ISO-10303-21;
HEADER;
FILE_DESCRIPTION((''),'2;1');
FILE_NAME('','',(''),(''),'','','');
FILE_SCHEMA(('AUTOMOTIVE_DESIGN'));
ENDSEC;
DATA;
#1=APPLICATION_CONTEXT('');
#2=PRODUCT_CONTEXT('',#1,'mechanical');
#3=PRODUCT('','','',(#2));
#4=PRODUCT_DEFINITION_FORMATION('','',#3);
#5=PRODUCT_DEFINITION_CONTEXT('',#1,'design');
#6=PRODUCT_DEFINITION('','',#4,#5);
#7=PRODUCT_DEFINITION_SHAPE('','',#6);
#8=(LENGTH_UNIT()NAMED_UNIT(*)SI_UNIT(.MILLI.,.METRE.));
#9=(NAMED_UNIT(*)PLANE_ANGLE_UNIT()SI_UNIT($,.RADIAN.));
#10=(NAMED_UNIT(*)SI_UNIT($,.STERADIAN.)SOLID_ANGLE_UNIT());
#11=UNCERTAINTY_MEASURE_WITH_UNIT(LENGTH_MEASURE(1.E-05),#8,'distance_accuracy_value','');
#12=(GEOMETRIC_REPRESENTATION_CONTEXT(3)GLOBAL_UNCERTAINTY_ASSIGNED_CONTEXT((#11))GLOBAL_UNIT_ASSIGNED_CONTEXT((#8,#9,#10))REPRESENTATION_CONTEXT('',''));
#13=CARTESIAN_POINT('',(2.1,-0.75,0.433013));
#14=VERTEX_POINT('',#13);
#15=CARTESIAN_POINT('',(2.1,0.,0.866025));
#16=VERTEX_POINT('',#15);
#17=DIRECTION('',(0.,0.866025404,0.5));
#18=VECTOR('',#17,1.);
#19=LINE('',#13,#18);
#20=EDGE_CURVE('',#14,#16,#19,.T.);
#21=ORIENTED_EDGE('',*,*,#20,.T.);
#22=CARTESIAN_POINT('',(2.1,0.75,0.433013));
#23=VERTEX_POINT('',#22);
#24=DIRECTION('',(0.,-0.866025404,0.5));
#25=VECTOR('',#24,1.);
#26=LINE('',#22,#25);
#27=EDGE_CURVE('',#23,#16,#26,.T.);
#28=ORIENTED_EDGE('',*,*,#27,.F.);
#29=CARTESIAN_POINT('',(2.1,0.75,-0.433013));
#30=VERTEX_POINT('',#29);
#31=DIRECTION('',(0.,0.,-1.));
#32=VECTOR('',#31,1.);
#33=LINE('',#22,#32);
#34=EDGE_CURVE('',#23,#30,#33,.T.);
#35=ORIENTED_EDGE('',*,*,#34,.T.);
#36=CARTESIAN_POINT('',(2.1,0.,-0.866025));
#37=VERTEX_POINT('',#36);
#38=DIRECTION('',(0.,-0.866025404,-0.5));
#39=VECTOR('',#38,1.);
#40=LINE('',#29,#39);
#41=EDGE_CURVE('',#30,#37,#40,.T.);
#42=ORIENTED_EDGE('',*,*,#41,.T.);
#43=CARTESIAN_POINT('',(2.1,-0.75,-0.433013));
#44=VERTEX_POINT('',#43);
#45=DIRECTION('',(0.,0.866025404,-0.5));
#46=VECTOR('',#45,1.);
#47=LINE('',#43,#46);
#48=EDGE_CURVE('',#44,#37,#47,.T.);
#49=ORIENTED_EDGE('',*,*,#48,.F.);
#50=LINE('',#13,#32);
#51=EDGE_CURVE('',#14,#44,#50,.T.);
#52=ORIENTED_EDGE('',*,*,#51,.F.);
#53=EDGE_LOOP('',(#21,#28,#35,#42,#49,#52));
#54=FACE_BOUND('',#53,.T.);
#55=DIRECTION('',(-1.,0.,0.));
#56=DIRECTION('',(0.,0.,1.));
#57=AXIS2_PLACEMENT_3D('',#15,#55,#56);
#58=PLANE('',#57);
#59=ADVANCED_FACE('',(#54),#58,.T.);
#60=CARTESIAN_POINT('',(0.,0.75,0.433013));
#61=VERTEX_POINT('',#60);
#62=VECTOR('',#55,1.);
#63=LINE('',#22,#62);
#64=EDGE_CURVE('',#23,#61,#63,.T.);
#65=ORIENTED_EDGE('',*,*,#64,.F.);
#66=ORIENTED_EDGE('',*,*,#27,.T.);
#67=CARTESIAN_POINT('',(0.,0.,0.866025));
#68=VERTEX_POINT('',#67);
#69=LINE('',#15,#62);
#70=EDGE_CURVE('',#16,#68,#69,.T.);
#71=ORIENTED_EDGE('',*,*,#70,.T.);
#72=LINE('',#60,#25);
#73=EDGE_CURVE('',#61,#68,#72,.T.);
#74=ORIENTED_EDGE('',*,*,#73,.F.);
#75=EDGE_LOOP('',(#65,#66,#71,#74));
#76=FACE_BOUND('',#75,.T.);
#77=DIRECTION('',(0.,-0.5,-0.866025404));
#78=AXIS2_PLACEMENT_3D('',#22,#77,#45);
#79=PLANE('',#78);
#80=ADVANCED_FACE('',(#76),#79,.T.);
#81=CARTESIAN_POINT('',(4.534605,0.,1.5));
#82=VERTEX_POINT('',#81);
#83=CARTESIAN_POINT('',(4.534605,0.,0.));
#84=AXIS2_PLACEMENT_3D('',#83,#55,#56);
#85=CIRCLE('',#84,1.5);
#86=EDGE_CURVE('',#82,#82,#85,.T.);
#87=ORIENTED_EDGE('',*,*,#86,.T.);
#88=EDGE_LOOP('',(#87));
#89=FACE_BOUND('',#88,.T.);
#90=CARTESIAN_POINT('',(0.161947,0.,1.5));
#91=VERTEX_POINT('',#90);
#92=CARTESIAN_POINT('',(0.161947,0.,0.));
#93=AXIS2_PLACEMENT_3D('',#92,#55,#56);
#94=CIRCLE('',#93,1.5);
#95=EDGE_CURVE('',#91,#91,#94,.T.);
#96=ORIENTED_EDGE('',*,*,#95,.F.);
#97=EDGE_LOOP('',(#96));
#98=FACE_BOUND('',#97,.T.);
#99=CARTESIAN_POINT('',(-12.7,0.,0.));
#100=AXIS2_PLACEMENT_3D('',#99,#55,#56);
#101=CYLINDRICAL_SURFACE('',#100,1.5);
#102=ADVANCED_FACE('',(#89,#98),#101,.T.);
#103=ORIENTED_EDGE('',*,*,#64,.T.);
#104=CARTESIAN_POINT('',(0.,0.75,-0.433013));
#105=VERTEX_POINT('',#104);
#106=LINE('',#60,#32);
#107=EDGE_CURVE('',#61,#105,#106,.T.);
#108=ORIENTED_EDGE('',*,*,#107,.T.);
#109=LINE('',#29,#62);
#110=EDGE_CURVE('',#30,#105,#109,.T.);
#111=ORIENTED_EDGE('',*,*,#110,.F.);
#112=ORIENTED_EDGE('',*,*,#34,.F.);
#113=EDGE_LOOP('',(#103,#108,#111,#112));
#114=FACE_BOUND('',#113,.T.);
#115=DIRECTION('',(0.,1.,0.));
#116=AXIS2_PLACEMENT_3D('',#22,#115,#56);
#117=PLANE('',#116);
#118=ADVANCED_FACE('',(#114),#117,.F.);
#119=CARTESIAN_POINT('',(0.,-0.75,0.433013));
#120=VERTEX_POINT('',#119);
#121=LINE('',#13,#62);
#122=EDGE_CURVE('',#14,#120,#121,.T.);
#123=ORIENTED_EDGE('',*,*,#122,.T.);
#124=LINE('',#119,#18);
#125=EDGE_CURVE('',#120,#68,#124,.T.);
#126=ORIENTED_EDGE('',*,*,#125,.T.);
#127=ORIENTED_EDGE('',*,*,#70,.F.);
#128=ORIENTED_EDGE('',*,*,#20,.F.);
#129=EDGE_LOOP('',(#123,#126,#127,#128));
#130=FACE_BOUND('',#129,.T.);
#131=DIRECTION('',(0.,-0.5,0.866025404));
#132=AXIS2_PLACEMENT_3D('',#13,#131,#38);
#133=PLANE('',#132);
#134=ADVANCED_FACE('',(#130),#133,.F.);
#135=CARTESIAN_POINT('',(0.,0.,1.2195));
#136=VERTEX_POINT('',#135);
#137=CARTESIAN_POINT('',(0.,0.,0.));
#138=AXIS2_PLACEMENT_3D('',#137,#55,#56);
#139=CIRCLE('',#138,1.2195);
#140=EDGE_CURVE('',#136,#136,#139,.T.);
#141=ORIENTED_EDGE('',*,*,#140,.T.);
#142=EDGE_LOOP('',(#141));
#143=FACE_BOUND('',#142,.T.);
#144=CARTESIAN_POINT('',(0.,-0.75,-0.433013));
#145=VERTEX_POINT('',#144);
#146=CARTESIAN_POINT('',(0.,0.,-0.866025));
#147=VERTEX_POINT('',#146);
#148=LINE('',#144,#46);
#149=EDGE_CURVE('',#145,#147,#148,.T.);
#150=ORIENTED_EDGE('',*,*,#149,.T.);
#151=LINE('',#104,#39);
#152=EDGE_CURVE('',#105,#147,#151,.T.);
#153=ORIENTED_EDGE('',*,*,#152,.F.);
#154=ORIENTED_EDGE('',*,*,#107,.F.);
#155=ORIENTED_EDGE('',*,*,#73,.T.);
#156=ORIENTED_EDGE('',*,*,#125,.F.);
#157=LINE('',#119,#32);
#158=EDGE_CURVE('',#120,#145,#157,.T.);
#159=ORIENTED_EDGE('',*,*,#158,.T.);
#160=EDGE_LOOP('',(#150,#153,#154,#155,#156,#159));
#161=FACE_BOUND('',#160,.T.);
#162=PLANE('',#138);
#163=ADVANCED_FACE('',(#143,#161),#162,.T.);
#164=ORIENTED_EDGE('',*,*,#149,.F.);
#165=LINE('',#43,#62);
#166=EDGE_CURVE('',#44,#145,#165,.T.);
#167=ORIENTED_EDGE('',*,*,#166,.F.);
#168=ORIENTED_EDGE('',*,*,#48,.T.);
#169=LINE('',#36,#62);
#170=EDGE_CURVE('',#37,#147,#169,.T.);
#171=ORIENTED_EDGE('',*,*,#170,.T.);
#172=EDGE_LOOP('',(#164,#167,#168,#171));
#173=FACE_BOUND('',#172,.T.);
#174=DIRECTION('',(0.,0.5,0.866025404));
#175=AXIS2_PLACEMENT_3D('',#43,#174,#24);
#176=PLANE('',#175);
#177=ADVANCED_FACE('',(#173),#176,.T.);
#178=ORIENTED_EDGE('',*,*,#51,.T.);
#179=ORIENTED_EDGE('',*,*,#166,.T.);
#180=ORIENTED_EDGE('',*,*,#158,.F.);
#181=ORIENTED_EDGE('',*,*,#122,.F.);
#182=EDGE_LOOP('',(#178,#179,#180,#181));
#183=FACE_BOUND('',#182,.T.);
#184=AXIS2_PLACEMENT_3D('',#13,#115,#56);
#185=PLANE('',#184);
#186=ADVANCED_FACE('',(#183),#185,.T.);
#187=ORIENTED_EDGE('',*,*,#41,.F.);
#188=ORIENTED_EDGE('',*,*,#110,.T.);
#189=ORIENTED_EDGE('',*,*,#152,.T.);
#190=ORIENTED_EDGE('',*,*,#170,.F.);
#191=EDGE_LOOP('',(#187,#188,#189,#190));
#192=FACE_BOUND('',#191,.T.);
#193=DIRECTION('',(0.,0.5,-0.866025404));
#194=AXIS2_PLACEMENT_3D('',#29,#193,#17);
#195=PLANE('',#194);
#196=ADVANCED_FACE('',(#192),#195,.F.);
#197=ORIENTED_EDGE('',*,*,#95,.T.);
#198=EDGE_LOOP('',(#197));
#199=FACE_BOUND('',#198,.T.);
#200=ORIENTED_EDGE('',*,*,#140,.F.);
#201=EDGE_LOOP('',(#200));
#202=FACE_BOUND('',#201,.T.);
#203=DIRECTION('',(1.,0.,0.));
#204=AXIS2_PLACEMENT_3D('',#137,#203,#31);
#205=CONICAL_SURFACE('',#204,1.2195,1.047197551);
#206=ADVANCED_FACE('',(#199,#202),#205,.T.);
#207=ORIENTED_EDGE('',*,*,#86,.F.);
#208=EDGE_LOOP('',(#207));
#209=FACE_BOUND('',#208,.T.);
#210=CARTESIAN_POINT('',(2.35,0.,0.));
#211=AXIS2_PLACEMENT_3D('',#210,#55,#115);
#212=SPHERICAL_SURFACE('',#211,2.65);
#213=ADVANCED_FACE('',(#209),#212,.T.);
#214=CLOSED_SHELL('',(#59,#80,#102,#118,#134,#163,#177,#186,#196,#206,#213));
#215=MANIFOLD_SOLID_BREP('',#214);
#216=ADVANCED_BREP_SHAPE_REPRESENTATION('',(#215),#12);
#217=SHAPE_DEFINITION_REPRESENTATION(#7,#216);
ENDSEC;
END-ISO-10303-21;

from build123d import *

# Parameters (mm, degrees)
HEX_2_DEPTH = 2.1


with BuildPart() as part:
    # BodySke → BaseBody (revolve)
    with BuildSketch(Plane.XY):
        with BuildLine():
            Line((0, 0), (0, 1.2195))
            Line((0, 1.2195), (0.161946751, 1.5))
            Line((0.161946751, 1.5), (4.534605227, 1.5))
            ThreePointArc((4.534605227, 1.5), (4.880978452, 0.785269427), (5, 0))
            Line((5, 0), (0, 0))
        make_face()
    revolve(axis=Axis((-12.7, 0, 0), (1, 0, 0)))

    # Sketch2 → Hex 2 (cut)
    with BuildSketch(Plane.ZY):
        Polygon((0.433012702, 0.75), (-0.433012702, 0.75), (-0.866025404, 0), (-0.433012702, -0.75), (0.433012702, -0.75), (0.866025404, 0), align=None)
    extrude(amount=-HEX_2_DEPTH, mode=Mode.SUBTRACT)


solid = part.part
